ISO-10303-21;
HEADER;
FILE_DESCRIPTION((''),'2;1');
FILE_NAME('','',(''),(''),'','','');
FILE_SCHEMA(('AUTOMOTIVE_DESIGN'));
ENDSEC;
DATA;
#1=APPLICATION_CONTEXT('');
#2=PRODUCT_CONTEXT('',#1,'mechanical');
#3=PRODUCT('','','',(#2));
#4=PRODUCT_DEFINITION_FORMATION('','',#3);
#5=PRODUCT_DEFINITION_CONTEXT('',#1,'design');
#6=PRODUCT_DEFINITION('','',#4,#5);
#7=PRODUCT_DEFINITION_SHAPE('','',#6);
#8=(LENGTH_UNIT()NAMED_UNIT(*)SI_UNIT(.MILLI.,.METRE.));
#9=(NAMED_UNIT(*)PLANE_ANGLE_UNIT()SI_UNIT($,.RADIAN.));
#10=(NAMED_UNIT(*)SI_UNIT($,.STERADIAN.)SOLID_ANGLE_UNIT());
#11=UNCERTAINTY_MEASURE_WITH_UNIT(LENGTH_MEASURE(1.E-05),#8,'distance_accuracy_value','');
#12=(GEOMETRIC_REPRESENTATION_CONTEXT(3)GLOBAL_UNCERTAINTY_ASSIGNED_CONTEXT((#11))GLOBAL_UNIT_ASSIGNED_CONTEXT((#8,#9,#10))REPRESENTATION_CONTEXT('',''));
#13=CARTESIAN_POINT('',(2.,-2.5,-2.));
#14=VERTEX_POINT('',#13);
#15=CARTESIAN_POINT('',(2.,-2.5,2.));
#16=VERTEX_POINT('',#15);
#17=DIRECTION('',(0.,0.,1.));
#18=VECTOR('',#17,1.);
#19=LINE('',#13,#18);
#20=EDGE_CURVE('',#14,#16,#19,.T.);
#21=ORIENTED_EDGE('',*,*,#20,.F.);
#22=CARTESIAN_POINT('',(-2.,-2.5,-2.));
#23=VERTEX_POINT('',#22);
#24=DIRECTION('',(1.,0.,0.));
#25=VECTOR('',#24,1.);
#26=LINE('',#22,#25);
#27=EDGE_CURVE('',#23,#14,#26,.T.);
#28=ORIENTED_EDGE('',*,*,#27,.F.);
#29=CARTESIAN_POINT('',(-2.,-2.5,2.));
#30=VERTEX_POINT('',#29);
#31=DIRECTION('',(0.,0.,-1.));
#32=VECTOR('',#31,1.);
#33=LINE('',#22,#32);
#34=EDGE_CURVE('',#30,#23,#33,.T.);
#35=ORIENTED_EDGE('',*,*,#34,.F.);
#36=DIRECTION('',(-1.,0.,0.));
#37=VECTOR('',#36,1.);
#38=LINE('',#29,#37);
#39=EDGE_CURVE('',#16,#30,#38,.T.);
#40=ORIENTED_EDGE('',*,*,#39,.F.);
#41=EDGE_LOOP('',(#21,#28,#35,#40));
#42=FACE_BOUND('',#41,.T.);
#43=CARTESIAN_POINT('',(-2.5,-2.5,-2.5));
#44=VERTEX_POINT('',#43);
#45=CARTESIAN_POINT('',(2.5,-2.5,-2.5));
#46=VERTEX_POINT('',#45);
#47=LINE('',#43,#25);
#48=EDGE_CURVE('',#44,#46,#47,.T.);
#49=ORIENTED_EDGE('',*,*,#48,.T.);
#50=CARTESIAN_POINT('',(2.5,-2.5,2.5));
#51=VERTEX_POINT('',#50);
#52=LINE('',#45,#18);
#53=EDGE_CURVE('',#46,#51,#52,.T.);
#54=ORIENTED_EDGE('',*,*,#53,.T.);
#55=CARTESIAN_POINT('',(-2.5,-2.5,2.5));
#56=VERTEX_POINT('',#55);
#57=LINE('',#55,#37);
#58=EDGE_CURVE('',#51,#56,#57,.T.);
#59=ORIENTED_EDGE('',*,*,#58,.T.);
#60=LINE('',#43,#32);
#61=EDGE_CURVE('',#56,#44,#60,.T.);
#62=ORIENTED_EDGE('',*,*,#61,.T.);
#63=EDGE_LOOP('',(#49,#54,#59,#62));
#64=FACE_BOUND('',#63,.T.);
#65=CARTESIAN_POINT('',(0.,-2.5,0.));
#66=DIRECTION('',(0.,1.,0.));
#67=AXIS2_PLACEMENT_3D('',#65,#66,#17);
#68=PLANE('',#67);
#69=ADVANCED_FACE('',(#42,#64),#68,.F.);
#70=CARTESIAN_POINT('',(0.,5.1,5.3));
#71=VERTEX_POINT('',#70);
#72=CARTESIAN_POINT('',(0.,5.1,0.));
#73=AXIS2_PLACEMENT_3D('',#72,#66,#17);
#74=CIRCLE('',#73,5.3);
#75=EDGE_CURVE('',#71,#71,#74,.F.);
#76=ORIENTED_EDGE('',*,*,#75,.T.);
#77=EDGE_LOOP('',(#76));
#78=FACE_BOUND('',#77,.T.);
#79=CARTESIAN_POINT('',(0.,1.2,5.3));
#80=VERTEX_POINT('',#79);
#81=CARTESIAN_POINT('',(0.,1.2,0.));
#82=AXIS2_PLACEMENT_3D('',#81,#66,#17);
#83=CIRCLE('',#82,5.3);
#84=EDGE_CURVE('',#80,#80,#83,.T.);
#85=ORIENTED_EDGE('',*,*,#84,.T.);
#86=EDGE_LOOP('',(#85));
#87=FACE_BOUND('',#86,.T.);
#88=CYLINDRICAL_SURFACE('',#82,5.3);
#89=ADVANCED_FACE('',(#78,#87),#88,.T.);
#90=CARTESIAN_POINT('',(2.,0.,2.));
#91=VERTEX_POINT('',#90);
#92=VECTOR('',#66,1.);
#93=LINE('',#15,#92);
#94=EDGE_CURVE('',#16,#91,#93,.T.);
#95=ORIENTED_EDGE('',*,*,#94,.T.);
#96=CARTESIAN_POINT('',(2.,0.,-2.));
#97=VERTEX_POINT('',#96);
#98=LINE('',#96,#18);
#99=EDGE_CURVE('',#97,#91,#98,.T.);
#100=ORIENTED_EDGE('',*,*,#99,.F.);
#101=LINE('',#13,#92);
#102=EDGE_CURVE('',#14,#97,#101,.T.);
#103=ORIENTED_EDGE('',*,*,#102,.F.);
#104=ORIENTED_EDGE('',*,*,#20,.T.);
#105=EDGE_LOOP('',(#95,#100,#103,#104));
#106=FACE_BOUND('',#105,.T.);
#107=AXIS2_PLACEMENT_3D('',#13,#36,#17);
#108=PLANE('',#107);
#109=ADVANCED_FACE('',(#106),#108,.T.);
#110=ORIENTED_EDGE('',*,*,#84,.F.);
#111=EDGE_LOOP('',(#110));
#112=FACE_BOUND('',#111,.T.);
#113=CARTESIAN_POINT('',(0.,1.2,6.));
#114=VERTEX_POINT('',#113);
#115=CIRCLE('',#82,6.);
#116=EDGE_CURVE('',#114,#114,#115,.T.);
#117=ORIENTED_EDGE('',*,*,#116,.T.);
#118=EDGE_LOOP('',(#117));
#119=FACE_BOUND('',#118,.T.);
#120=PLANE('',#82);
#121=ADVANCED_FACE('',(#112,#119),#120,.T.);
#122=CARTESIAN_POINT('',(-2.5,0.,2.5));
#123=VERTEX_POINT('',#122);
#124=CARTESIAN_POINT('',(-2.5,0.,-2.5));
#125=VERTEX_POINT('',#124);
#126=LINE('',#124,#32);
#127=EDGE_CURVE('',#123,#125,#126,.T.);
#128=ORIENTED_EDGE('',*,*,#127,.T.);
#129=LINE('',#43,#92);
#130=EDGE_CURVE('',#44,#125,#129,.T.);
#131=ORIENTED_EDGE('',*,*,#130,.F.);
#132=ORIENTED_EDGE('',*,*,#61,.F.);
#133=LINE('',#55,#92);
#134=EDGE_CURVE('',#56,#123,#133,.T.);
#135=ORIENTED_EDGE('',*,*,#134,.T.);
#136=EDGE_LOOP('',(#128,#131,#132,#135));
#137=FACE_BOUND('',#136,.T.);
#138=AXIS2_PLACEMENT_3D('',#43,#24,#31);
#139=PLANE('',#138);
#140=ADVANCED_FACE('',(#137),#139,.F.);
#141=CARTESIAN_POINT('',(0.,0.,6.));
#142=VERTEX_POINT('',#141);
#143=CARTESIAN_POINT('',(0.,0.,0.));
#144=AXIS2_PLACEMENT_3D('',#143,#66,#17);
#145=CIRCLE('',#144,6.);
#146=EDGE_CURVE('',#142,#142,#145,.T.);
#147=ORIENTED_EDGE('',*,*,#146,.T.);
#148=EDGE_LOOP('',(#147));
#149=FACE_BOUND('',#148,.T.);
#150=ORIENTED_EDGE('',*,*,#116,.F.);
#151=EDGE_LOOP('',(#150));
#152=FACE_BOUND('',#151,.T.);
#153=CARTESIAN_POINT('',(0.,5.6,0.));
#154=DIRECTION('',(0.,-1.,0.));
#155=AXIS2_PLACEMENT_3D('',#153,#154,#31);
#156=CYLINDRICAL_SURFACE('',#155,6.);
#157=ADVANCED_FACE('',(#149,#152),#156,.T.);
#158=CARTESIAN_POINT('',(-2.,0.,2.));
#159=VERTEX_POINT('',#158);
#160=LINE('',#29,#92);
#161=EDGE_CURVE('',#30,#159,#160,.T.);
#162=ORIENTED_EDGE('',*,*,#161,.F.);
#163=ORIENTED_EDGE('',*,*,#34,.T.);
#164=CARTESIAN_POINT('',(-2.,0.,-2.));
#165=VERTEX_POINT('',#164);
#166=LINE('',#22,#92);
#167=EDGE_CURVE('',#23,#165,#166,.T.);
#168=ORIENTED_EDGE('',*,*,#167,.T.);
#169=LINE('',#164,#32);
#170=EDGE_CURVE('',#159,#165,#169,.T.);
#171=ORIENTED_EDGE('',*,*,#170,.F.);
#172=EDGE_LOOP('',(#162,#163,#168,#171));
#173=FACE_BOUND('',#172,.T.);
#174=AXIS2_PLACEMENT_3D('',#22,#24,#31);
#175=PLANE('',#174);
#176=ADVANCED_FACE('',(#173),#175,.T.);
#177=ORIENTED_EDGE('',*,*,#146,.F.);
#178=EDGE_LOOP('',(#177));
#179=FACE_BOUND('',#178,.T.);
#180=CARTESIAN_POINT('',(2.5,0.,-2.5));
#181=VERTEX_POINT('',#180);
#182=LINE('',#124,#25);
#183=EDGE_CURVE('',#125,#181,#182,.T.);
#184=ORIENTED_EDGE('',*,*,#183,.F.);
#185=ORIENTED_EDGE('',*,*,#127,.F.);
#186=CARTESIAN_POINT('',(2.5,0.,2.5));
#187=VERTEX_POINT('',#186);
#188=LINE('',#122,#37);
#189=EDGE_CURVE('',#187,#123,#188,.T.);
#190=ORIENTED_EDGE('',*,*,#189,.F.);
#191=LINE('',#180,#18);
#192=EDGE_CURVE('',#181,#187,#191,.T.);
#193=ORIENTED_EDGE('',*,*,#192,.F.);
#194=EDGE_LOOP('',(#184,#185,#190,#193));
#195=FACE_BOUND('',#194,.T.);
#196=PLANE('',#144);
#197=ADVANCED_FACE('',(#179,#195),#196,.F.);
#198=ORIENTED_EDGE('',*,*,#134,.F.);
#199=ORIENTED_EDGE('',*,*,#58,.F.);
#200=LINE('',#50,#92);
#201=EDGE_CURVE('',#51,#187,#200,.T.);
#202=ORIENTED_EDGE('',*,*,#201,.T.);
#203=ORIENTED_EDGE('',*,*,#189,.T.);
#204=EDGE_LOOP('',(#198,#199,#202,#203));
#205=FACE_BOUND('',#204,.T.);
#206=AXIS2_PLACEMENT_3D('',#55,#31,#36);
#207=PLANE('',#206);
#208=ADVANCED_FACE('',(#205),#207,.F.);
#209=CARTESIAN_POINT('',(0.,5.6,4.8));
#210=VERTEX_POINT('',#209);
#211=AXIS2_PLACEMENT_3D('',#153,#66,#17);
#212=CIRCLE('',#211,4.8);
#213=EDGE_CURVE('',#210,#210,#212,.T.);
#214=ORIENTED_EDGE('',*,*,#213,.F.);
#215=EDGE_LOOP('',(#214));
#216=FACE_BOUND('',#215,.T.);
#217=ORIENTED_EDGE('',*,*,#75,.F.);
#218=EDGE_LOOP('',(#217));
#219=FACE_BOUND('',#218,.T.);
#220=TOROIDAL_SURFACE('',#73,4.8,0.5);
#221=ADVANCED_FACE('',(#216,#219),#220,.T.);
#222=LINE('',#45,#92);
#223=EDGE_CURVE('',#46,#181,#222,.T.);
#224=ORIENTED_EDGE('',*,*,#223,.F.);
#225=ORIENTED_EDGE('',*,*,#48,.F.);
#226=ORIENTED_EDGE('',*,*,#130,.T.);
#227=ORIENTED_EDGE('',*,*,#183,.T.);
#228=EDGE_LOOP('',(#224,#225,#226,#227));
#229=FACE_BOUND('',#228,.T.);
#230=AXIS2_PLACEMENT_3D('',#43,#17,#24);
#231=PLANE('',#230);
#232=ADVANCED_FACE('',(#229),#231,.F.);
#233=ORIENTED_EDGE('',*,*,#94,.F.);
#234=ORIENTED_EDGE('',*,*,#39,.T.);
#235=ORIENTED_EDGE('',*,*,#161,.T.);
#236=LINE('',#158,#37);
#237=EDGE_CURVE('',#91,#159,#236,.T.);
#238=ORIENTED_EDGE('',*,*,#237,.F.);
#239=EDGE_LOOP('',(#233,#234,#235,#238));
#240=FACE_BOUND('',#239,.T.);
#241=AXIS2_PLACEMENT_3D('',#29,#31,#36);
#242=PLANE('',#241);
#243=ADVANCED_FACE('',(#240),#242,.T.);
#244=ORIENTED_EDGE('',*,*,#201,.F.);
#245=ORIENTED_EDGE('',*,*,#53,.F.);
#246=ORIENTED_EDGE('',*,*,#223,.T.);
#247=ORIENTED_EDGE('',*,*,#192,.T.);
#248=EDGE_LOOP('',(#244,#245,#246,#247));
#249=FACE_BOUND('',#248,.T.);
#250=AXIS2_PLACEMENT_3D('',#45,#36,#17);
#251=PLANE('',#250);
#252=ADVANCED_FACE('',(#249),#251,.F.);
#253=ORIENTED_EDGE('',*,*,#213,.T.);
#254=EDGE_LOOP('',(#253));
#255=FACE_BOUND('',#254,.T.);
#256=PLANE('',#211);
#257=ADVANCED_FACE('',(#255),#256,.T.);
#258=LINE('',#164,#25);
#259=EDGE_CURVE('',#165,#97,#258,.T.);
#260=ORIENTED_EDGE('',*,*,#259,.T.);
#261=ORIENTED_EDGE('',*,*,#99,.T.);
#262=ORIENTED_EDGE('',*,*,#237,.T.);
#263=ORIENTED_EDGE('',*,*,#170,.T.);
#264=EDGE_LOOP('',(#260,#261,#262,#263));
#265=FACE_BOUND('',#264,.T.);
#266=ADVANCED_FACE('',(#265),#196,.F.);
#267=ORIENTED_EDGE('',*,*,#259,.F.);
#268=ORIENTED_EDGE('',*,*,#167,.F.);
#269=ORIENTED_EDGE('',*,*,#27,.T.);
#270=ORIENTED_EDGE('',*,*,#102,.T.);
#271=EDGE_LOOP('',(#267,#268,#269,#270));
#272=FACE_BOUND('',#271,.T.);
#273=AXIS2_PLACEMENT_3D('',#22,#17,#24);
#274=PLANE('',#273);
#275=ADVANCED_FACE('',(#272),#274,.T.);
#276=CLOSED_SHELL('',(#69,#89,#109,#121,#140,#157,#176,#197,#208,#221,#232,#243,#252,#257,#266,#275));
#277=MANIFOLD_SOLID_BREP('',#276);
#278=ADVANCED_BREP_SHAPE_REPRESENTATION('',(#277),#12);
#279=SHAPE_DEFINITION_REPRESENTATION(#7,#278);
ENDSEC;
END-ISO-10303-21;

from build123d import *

# Parameters (mm, degrees)
SKETCH2_R           = 6
BOSS_EXTRUDE1_DEPTH = 5.6
SKETCH3_R           = 6
SKETCH3_R_2         = 5.3
CUT_EXTRUDE1_DEPTH  = 4.4
FILLET1_R           = 0.5
SKETCH4_W           = 5
SKETCH4_H           = 5
SKETCH4_W_2         = 4
SKETCH4_H_2         = 4
BOSS_EXTRUDE2_DEPTH = 2.5


with BuildPart() as part:
    # Sketch2 → Boss-Extrude1 (new body)
    with BuildSketch(Plane(origin=(0, 0, 0), x_dir=(1, 0, 0), z_dir=(0, 1, 0))):
        Circle(SKETCH2_R)
    extrude(amount=BOSS_EXTRUDE1_DEPTH)

    # Sketch3 → Cut-Extrude1 (cut)
    with BuildSketch(Plane(origin=(0, 5.6, 0), x_dir=(1, 0, 0), z_dir=(0, 1, 0))):
        Circle(SKETCH3_R)
        Circle(SKETCH3_R_2, mode=Mode.SUBTRACT)
    extrude(amount=-CUT_EXTRUDE1_DEPTH, mode=Mode.SUBTRACT)

    # Fillet1
    fillet1_edges = [part.edges().sort_by_distance(p)[0] for p in [
        (-5.3, 5.6, 0),
    ]]
    fillet(fillet1_edges, radius=FILLET1_R)

    # Sketch4 → Boss-Extrude2 (add)
    with BuildSketch(Plane.XZ):
        Rectangle(SKETCH4_W, SKETCH4_H)
        Rectangle(SKETCH4_W_2, SKETCH4_H_2, mode=Mode.SUBTRACT)
    extrude(amount=BOSS_EXTRUDE2_DEPTH)


solid = part.part
